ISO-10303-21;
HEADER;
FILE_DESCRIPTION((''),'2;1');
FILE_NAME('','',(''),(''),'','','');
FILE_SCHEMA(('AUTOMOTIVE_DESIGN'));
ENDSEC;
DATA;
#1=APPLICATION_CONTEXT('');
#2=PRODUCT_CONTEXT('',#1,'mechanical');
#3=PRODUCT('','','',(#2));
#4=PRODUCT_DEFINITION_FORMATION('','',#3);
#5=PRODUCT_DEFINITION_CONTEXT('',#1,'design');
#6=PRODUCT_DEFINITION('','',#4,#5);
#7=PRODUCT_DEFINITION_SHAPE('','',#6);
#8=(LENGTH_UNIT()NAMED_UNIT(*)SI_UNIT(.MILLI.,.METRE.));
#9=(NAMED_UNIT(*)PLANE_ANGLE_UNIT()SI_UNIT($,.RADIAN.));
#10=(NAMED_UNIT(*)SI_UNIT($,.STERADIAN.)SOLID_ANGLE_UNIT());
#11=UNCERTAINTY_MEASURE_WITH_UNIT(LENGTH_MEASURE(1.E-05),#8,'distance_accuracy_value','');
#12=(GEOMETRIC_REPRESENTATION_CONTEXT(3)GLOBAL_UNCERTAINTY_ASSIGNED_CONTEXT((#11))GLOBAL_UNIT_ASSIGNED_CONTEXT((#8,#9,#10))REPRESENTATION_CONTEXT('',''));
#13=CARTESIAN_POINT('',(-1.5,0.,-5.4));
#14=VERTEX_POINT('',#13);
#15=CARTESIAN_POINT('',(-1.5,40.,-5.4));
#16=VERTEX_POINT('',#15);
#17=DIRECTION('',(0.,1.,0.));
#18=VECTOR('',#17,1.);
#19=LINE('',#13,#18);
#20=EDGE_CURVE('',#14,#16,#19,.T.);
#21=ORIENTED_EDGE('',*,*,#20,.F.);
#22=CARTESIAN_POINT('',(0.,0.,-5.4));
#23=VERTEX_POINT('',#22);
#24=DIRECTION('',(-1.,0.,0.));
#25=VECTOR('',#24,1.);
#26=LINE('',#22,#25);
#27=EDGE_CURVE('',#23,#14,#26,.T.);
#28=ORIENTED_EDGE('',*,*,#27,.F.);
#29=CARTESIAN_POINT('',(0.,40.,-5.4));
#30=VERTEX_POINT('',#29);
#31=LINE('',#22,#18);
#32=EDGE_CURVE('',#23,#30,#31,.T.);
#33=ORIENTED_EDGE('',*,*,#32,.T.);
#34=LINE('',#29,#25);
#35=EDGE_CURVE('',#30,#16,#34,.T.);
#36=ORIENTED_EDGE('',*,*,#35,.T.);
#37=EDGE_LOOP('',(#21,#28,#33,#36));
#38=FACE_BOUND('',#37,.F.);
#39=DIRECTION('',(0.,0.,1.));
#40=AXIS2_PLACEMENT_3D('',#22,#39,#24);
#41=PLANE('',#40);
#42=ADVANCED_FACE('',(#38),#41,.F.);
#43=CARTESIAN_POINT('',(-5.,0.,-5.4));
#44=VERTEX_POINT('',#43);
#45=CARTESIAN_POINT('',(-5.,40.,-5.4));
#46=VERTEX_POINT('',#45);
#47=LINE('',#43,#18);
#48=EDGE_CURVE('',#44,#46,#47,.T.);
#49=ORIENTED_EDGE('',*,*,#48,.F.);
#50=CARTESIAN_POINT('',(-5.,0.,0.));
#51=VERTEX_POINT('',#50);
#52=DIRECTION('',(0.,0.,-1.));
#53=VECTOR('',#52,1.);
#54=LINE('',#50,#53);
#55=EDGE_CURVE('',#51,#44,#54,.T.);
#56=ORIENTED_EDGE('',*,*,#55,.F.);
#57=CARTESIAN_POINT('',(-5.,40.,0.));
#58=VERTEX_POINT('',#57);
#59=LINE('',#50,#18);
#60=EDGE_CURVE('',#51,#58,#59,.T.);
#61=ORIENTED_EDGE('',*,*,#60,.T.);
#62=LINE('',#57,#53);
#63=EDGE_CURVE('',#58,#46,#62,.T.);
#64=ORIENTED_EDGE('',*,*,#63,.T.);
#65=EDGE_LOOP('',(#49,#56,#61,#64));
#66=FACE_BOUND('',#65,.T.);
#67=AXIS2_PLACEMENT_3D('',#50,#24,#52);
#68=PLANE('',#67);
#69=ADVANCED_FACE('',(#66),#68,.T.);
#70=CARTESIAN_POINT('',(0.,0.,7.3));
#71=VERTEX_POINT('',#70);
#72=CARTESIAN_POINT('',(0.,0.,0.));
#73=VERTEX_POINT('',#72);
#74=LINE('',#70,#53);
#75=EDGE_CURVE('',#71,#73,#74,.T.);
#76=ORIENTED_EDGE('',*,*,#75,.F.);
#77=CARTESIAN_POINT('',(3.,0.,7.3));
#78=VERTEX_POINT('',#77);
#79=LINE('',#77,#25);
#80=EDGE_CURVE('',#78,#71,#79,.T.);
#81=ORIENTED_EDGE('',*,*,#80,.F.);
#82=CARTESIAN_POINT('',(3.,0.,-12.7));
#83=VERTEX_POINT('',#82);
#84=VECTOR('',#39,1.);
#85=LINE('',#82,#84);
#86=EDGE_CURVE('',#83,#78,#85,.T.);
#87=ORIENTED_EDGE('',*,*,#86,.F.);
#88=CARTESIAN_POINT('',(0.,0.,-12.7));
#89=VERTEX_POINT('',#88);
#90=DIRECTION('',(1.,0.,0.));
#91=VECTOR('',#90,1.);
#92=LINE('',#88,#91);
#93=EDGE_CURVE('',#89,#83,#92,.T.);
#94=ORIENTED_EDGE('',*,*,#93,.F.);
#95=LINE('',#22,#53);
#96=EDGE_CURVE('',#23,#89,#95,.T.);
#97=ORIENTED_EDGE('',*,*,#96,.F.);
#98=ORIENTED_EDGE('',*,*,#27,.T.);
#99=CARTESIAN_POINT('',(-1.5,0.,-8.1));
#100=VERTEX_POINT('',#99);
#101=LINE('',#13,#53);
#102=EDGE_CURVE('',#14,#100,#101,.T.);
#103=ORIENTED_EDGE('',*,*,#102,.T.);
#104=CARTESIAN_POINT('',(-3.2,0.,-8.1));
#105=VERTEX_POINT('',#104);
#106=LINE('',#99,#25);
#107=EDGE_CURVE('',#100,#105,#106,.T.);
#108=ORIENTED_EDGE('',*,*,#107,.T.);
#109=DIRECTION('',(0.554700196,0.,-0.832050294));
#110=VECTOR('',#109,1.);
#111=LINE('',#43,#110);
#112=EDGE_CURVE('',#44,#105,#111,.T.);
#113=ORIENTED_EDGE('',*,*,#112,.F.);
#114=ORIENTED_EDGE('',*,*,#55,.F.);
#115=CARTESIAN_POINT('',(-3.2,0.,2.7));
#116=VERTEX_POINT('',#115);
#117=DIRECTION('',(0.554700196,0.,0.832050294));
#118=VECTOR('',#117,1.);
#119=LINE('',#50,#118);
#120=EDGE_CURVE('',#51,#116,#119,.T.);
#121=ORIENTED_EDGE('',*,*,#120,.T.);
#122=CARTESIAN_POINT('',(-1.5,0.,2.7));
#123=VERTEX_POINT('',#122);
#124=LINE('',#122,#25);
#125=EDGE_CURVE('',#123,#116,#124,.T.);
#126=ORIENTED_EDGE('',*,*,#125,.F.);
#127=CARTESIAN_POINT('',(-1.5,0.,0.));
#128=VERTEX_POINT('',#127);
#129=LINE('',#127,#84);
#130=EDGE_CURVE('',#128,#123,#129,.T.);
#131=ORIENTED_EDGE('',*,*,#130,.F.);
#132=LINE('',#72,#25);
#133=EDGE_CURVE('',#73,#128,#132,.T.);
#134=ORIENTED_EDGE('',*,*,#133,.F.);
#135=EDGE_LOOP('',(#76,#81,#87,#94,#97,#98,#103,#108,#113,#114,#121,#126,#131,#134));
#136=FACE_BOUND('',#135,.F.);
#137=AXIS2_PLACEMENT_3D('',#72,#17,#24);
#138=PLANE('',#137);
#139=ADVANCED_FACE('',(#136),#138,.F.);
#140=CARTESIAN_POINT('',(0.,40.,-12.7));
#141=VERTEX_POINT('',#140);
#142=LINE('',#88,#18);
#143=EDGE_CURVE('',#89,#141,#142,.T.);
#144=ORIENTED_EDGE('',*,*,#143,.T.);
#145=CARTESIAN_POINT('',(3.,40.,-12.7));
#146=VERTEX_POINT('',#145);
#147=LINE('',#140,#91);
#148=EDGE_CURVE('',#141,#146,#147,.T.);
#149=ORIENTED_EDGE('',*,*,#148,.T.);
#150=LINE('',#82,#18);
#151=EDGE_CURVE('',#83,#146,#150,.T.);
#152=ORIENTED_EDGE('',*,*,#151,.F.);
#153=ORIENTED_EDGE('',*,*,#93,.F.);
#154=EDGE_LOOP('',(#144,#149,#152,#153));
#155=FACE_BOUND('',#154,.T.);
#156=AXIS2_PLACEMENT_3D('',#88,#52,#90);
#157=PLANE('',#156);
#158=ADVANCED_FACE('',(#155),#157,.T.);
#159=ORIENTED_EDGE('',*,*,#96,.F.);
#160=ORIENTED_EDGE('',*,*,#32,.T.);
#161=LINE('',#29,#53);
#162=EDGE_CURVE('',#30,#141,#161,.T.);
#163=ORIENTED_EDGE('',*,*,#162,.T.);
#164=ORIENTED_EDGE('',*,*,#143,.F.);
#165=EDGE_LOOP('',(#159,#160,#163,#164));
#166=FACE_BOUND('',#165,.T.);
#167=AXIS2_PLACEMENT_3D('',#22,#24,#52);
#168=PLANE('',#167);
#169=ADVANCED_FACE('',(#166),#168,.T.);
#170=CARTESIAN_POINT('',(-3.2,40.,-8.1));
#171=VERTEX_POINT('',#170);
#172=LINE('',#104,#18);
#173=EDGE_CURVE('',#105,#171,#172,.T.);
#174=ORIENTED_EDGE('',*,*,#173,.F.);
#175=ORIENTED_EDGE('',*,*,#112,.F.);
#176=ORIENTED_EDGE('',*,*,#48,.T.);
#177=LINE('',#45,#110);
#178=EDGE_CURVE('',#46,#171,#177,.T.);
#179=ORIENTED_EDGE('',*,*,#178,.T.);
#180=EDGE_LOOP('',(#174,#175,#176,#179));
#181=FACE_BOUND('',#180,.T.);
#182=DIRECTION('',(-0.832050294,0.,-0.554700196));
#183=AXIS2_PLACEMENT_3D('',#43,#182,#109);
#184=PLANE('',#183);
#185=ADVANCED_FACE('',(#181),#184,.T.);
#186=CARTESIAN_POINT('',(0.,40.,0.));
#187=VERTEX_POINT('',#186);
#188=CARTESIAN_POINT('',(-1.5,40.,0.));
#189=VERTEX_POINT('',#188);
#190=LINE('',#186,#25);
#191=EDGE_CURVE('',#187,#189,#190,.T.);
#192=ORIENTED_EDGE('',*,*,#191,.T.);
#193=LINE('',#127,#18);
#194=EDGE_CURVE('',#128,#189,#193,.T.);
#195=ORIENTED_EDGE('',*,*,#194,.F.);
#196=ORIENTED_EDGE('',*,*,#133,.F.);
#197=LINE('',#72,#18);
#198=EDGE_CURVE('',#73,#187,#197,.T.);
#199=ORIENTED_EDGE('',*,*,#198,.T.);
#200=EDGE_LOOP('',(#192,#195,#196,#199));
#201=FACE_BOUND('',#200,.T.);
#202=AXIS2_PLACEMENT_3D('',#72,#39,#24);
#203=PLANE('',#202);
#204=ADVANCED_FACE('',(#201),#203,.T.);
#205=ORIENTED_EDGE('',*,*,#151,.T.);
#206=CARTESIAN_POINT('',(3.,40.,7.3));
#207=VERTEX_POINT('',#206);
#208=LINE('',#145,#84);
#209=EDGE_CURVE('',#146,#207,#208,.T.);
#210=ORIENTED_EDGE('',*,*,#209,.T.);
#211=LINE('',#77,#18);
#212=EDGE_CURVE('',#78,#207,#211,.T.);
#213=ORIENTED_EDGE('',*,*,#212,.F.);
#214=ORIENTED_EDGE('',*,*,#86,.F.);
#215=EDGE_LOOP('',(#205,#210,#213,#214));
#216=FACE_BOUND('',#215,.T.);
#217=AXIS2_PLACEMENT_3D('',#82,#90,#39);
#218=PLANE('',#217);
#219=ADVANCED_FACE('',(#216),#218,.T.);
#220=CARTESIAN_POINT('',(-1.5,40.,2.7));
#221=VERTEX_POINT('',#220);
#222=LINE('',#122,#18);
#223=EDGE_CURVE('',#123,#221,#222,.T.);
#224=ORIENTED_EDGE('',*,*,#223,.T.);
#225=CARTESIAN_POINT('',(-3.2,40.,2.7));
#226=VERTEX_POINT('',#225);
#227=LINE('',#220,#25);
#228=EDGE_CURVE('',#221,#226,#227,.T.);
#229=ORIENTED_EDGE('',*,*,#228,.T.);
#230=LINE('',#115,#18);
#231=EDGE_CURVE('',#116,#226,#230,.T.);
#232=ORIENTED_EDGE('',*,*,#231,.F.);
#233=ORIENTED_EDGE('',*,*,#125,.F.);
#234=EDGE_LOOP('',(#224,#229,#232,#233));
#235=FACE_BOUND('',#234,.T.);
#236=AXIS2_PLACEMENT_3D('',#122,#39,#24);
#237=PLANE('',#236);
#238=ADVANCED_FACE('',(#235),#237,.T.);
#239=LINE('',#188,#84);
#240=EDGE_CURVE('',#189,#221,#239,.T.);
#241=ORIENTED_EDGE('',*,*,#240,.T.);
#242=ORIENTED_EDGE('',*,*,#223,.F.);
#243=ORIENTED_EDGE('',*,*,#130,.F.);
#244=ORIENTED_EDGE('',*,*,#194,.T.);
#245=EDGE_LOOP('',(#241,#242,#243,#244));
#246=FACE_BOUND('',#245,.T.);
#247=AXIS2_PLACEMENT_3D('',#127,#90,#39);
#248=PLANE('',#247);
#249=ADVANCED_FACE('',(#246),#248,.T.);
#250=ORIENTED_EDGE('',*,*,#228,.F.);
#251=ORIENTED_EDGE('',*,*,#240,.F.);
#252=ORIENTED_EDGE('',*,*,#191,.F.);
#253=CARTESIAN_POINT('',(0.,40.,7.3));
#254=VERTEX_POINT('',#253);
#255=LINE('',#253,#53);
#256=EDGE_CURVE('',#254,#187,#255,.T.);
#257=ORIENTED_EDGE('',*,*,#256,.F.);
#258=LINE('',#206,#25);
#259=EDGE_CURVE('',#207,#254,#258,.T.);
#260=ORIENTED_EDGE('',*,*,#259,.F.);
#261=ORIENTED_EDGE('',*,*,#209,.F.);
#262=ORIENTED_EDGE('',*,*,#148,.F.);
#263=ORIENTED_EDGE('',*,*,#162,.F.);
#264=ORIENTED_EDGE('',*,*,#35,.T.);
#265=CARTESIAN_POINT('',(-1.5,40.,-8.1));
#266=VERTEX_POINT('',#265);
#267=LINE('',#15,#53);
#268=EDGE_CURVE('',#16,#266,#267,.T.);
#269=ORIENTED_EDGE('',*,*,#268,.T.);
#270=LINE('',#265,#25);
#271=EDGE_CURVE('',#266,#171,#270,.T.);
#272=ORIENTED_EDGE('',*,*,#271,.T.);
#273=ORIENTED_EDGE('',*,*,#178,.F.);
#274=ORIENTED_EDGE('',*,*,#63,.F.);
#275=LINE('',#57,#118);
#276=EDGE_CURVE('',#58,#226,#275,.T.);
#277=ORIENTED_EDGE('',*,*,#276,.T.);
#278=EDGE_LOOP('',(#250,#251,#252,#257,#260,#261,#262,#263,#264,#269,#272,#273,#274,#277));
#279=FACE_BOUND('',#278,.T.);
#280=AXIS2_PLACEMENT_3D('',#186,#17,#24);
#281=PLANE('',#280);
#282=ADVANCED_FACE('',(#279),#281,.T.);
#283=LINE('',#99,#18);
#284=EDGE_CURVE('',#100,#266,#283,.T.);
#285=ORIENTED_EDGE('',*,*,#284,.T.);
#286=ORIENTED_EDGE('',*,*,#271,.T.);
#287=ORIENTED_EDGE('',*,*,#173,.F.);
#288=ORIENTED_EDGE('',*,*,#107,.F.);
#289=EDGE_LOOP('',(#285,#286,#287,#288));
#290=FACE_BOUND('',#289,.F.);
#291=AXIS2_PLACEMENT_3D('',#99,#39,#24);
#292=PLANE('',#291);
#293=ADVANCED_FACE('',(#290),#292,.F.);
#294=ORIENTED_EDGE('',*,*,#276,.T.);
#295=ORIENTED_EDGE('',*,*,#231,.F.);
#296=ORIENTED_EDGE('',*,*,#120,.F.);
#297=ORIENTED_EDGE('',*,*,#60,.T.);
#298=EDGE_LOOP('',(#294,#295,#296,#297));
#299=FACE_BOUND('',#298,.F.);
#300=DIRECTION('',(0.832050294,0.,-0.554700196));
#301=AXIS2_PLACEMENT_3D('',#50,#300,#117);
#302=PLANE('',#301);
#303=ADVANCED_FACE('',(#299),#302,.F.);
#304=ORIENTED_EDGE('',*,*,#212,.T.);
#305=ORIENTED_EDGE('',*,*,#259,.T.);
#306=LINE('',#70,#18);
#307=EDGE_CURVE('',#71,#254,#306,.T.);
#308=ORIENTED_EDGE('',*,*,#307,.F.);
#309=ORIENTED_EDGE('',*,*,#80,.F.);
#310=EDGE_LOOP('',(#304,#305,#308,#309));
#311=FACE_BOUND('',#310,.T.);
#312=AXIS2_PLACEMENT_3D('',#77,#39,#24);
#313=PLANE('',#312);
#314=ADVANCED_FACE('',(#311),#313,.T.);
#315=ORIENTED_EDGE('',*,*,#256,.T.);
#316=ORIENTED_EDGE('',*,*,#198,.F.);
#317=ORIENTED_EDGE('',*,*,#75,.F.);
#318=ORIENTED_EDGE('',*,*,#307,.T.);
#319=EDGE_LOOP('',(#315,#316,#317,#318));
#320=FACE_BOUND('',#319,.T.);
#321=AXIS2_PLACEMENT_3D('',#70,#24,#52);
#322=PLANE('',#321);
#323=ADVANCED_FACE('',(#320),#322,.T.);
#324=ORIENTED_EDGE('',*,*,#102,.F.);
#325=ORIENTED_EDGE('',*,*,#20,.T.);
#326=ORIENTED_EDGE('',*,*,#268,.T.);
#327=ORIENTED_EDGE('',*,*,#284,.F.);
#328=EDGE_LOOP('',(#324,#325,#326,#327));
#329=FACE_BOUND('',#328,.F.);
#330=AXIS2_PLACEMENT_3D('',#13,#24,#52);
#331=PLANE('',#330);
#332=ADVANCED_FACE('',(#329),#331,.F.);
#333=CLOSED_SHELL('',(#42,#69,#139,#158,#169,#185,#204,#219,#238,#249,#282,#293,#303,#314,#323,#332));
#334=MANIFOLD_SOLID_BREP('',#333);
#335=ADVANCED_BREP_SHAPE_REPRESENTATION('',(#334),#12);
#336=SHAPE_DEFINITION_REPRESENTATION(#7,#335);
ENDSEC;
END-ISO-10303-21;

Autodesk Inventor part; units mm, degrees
ref_plane "YZ Plane" through (0, 0, 0) normal (1, 0, 0) x (0, 1, 0)
ref_plane "XZ Plane" through (0, 0, 0) normal (0, 1, 0) x (-1, 0, 0)
ref_plane "XY Plane" through (0, 0, 0) normal (0, 0, 1) x (1, 0, 0)
sketch "Sketch1" plane through (0, 0, 0) normal (0, 1, 0) x (-1, 0, 0)
  line L0 (0, -5.4) -> (1.5, -5.4)
  line L1 (1.5, -5.4) -> (1.5, -8.1)
  line L2 (1.5, -8.1) -> (3.2, -8.1)
  line L3 (0, 0) -> (1.5, 0)
  line L4 (1.5, 0) -> (1.5, 2.7)
  line L5 (1.5, 2.7) -> (3.2, 2.7)
  line L6 (5, 0) -> (5, -5.4)
  line L7 (5, -5.4) -> (3.2, -8.1)
  line L8 (5, 0) -> (3.2, 2.7)
  line L9 (0, -5.4) -> (0, -12.7)
  line L10 (0, -12.7) -> (-3, -12.7)
  line L11 (-3, -12.7) -> (-3, 7.3)
  line L12 (-3, 7.3) -> (0, 7.3)
  line L13 (0, 7.3) -> (0, 0)
  dimension "d0" = 5.4
  dimension "d1" = 1.5
  dimension "d2" = 2.7
  dimension "d3" = 1.7
  dimension "d4" = 2.7
  dimension "d5" = 1.7
  dimension "d9" = 3
  dimension "d10" = 20
  dimension "d11" = 7.3
extrude "Extrusion1" add sketch "Sketch1" along normal blind 40
properties part number "slotMountingPlate_blank"
